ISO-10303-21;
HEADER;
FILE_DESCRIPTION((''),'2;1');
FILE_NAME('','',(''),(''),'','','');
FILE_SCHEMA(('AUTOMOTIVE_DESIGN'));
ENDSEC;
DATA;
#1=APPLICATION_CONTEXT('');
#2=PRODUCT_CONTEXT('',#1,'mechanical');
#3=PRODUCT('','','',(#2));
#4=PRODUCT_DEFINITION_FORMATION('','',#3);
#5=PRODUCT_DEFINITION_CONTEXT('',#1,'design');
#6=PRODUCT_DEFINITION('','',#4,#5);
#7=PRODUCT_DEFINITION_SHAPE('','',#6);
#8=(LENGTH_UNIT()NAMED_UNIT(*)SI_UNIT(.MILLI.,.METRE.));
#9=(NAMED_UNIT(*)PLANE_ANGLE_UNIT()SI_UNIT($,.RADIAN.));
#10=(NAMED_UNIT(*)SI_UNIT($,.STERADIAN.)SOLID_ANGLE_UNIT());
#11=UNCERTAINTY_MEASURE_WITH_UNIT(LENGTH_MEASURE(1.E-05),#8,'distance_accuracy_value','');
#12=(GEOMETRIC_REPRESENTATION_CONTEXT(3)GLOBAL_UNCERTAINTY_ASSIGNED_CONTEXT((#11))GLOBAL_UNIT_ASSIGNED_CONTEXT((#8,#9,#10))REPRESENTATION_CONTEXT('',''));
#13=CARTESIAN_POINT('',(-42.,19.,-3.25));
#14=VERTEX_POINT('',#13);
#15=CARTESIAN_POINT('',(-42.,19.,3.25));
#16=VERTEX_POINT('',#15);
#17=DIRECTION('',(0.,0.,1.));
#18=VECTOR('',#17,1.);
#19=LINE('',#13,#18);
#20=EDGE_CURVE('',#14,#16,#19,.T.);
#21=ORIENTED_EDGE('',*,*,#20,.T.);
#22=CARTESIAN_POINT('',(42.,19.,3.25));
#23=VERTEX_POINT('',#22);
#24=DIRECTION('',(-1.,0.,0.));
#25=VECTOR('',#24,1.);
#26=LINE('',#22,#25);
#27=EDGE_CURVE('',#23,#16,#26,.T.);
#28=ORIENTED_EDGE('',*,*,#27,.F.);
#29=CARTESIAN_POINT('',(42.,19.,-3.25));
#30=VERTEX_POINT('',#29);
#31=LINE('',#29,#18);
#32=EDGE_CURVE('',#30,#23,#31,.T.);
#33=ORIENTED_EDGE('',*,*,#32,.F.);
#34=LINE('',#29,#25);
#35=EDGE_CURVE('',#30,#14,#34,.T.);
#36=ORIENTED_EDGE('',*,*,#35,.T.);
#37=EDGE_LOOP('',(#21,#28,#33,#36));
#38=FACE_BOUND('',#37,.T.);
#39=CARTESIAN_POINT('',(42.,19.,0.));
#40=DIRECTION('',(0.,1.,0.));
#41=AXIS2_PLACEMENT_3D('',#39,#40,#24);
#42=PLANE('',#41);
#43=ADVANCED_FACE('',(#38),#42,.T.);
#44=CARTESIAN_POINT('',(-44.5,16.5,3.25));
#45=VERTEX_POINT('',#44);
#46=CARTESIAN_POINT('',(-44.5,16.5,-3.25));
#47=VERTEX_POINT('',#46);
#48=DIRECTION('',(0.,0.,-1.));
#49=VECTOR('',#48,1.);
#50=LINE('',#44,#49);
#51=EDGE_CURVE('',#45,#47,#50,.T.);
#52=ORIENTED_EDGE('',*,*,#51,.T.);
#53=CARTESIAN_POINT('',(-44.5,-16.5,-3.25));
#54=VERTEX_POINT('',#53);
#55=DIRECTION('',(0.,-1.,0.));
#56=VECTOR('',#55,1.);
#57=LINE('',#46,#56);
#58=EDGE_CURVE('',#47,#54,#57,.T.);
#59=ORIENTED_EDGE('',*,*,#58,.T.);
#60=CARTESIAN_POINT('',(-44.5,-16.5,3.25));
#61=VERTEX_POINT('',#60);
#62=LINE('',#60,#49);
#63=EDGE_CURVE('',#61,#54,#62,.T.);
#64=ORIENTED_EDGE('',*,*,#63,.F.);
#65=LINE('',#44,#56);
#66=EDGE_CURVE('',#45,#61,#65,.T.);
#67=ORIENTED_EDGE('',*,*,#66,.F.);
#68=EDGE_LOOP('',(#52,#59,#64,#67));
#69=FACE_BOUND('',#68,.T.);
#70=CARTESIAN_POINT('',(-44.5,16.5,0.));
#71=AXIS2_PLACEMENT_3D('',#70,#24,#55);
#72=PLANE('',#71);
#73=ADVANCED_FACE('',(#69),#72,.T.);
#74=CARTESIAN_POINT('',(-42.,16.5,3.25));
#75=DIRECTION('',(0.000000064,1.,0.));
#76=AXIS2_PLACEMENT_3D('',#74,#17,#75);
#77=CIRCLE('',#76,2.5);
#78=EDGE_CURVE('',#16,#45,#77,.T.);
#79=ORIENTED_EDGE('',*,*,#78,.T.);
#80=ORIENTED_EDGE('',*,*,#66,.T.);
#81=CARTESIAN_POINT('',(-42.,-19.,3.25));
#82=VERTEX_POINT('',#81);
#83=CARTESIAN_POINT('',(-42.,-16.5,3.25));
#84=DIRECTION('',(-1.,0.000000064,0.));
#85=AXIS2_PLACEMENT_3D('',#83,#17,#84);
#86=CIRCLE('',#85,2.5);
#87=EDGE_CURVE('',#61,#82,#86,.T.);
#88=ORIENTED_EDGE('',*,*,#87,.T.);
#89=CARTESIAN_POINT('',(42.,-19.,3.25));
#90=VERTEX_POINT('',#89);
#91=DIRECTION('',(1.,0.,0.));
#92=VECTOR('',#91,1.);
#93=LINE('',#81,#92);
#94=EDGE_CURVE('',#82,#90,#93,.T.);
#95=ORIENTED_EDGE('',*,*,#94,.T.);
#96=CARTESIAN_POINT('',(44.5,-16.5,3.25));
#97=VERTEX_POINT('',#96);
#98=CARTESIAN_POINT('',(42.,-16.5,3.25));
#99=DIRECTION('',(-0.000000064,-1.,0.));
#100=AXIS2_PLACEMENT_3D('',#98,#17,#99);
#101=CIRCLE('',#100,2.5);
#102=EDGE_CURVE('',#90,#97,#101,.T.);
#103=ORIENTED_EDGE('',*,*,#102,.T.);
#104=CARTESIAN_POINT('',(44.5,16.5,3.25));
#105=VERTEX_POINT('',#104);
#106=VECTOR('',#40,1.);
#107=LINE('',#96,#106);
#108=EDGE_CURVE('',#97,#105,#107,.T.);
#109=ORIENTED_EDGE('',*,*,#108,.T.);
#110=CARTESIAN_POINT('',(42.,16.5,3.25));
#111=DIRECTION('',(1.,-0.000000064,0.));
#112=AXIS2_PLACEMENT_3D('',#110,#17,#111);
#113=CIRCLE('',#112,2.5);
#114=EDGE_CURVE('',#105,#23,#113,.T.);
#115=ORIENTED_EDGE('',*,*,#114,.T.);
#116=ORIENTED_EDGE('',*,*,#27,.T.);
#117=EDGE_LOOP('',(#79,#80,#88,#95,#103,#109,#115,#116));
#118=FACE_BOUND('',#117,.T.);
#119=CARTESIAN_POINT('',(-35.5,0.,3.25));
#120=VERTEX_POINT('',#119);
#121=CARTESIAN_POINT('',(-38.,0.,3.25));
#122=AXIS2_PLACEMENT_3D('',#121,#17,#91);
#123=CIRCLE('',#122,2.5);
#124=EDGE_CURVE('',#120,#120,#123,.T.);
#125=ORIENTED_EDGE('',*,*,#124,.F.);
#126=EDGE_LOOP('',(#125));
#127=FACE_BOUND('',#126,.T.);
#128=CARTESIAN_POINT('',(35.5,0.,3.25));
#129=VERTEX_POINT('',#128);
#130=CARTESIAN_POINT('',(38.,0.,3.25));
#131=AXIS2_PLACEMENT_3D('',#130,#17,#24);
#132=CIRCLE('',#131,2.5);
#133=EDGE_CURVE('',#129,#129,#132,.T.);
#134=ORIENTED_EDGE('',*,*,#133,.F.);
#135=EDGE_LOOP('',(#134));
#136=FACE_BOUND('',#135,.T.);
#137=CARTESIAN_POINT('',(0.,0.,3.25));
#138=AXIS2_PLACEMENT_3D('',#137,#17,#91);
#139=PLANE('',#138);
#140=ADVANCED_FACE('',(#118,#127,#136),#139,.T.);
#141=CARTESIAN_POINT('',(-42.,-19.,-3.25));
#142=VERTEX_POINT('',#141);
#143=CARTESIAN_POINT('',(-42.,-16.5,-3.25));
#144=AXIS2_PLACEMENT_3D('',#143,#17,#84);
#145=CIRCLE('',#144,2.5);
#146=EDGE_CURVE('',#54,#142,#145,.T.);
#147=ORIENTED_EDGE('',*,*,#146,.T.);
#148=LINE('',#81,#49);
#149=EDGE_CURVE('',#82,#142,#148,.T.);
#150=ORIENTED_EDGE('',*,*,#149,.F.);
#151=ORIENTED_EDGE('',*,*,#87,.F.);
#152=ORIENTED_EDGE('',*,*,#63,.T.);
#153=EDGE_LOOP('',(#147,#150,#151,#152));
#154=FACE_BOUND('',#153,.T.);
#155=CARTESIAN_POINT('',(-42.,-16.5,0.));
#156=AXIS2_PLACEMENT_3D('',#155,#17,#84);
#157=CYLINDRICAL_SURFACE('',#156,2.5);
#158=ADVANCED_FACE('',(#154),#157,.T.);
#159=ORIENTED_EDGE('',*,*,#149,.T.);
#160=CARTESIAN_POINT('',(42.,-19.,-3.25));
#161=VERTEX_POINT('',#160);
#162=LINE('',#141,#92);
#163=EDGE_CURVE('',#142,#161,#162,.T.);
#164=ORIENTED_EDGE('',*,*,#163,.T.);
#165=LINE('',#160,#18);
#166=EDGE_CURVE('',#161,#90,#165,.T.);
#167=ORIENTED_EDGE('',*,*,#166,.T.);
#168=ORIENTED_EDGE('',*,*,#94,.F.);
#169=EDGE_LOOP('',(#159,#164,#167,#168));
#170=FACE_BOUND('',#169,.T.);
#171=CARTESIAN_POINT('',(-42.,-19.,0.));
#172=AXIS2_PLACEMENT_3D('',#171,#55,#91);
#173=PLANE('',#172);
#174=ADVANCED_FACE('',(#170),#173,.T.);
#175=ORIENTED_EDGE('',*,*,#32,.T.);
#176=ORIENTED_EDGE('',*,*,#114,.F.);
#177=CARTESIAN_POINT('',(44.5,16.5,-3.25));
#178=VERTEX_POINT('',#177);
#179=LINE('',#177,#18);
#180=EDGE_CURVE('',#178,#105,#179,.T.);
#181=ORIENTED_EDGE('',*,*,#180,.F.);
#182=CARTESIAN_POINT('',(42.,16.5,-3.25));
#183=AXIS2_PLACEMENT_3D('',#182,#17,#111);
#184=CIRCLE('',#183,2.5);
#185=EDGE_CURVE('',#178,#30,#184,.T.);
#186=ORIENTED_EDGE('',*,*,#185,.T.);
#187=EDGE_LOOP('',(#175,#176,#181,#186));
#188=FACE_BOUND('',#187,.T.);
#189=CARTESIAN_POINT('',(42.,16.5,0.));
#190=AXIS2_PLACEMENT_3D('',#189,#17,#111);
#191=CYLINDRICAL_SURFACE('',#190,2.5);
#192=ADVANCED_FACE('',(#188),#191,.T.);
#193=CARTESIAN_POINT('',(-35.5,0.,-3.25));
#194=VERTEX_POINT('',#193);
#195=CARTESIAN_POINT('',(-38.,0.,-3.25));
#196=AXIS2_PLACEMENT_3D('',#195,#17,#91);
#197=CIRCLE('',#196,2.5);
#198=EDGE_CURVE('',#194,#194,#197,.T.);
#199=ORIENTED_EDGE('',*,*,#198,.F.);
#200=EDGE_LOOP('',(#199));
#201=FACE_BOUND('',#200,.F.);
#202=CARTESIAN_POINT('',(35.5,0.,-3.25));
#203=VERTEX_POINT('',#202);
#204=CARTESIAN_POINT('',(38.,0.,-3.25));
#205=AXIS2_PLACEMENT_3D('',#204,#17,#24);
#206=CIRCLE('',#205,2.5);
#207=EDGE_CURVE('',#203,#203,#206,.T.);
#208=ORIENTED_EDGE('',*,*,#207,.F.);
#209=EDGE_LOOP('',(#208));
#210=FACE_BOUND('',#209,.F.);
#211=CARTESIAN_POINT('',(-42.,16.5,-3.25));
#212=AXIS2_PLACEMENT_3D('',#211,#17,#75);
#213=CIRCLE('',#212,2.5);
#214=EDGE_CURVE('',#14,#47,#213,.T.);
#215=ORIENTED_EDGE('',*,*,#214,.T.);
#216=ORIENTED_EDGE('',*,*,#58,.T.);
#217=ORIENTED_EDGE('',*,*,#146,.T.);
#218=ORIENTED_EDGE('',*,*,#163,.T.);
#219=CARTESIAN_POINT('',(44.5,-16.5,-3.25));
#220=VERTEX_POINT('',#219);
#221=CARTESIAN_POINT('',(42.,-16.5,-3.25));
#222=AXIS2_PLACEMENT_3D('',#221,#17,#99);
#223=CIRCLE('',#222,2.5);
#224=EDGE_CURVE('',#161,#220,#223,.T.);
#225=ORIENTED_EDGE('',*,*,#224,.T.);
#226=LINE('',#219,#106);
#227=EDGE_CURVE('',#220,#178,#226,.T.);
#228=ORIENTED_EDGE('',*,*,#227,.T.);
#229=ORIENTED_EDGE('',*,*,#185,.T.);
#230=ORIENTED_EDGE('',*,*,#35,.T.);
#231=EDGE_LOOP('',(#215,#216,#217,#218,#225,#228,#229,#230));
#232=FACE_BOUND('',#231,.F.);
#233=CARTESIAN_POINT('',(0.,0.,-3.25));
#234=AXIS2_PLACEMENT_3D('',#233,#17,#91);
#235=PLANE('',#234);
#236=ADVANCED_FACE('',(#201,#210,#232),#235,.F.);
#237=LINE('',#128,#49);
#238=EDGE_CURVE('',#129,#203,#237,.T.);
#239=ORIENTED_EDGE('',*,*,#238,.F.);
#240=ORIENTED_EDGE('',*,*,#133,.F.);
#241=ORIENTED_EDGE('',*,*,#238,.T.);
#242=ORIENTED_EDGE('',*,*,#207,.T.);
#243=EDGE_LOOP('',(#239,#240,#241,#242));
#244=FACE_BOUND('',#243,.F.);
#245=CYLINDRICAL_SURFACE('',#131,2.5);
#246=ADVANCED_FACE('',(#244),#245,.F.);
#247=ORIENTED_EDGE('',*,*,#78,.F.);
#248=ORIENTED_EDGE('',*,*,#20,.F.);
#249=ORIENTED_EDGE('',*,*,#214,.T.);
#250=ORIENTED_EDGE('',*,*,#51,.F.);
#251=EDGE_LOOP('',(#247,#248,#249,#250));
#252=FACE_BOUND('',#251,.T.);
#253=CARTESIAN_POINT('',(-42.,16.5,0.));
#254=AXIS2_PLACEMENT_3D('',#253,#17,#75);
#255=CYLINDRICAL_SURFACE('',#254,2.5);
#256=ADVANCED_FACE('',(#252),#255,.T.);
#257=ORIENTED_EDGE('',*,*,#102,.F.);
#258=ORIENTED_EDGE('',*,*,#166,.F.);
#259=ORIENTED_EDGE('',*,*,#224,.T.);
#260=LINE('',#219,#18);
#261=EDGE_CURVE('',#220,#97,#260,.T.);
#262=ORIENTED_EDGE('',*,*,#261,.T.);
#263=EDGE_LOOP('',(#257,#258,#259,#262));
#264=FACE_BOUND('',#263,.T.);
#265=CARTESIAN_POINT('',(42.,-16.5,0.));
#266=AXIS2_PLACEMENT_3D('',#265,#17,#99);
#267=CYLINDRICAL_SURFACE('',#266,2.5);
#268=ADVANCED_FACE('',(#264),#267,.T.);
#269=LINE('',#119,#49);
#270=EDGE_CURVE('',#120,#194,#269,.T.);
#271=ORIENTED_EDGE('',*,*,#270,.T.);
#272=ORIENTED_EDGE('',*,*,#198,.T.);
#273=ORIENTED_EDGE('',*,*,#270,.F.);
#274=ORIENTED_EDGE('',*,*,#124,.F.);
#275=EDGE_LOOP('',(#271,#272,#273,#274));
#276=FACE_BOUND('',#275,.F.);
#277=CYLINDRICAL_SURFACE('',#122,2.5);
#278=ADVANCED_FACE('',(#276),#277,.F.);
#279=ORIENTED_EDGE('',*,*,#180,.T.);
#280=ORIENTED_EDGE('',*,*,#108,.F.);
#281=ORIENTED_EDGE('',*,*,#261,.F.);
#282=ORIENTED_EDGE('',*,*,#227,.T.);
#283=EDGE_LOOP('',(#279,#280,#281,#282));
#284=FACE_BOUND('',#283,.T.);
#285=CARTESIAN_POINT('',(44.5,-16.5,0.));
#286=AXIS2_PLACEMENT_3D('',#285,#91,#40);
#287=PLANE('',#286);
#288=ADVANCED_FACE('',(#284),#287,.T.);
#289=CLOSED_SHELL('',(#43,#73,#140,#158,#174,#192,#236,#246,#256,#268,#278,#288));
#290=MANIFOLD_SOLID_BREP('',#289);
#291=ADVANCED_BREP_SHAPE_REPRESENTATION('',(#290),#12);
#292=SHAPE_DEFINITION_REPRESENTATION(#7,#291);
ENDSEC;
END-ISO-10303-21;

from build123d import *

# Parameters (mm, degrees)
F1_DEPTH = 3.25
F2_R     = 2.5
F3_DEPTH = 25


with BuildPart() as f1:
    # F0 (on Top) → F1 (new body, symmetric)
    with BuildSketch(Plane.XY):
        with BuildLine():
            Line((-42, -19), (42, -19))
            ThreePointArc((42, -19), (43.767767, -18.267767), (44.5, -16.5))
            Line((44.5, -16.5), (44.5, 16.5))
            ThreePointArc((44.5, 16.5), (43.767767, 18.267767), (42, 19))
            Line((42, 19), (-42, 19))
            ThreePointArc((-42, 19), (-43.767767, 18.267767), (-44.5, 16.5))
            Line((-44.5, 16.5), (-44.5, -16.5))
            ThreePointArc((-44.5, -16.5), (-43.767767, -18.267767), (-42, -19))
        make_face()
    extrude(amount=F1_DEPTH, both=True)

    # F2 (on face) → F3 (cut)
    with BuildSketch(Plane.XY.offset(3.25)):
        with Locations((-38, 0)):
            Circle(F2_R)
        with BuildLine():
            ThreePointArc((40.5, 0), (38, 2.5), (35.5, 0))
            ThreePointArc((35.5, 0), (38, -2.5), (40.5, 0))
        make_face()
    extrude(amount=-F3_DEPTH, mode=Mode.SUBTRACT)


solid = f1.part
